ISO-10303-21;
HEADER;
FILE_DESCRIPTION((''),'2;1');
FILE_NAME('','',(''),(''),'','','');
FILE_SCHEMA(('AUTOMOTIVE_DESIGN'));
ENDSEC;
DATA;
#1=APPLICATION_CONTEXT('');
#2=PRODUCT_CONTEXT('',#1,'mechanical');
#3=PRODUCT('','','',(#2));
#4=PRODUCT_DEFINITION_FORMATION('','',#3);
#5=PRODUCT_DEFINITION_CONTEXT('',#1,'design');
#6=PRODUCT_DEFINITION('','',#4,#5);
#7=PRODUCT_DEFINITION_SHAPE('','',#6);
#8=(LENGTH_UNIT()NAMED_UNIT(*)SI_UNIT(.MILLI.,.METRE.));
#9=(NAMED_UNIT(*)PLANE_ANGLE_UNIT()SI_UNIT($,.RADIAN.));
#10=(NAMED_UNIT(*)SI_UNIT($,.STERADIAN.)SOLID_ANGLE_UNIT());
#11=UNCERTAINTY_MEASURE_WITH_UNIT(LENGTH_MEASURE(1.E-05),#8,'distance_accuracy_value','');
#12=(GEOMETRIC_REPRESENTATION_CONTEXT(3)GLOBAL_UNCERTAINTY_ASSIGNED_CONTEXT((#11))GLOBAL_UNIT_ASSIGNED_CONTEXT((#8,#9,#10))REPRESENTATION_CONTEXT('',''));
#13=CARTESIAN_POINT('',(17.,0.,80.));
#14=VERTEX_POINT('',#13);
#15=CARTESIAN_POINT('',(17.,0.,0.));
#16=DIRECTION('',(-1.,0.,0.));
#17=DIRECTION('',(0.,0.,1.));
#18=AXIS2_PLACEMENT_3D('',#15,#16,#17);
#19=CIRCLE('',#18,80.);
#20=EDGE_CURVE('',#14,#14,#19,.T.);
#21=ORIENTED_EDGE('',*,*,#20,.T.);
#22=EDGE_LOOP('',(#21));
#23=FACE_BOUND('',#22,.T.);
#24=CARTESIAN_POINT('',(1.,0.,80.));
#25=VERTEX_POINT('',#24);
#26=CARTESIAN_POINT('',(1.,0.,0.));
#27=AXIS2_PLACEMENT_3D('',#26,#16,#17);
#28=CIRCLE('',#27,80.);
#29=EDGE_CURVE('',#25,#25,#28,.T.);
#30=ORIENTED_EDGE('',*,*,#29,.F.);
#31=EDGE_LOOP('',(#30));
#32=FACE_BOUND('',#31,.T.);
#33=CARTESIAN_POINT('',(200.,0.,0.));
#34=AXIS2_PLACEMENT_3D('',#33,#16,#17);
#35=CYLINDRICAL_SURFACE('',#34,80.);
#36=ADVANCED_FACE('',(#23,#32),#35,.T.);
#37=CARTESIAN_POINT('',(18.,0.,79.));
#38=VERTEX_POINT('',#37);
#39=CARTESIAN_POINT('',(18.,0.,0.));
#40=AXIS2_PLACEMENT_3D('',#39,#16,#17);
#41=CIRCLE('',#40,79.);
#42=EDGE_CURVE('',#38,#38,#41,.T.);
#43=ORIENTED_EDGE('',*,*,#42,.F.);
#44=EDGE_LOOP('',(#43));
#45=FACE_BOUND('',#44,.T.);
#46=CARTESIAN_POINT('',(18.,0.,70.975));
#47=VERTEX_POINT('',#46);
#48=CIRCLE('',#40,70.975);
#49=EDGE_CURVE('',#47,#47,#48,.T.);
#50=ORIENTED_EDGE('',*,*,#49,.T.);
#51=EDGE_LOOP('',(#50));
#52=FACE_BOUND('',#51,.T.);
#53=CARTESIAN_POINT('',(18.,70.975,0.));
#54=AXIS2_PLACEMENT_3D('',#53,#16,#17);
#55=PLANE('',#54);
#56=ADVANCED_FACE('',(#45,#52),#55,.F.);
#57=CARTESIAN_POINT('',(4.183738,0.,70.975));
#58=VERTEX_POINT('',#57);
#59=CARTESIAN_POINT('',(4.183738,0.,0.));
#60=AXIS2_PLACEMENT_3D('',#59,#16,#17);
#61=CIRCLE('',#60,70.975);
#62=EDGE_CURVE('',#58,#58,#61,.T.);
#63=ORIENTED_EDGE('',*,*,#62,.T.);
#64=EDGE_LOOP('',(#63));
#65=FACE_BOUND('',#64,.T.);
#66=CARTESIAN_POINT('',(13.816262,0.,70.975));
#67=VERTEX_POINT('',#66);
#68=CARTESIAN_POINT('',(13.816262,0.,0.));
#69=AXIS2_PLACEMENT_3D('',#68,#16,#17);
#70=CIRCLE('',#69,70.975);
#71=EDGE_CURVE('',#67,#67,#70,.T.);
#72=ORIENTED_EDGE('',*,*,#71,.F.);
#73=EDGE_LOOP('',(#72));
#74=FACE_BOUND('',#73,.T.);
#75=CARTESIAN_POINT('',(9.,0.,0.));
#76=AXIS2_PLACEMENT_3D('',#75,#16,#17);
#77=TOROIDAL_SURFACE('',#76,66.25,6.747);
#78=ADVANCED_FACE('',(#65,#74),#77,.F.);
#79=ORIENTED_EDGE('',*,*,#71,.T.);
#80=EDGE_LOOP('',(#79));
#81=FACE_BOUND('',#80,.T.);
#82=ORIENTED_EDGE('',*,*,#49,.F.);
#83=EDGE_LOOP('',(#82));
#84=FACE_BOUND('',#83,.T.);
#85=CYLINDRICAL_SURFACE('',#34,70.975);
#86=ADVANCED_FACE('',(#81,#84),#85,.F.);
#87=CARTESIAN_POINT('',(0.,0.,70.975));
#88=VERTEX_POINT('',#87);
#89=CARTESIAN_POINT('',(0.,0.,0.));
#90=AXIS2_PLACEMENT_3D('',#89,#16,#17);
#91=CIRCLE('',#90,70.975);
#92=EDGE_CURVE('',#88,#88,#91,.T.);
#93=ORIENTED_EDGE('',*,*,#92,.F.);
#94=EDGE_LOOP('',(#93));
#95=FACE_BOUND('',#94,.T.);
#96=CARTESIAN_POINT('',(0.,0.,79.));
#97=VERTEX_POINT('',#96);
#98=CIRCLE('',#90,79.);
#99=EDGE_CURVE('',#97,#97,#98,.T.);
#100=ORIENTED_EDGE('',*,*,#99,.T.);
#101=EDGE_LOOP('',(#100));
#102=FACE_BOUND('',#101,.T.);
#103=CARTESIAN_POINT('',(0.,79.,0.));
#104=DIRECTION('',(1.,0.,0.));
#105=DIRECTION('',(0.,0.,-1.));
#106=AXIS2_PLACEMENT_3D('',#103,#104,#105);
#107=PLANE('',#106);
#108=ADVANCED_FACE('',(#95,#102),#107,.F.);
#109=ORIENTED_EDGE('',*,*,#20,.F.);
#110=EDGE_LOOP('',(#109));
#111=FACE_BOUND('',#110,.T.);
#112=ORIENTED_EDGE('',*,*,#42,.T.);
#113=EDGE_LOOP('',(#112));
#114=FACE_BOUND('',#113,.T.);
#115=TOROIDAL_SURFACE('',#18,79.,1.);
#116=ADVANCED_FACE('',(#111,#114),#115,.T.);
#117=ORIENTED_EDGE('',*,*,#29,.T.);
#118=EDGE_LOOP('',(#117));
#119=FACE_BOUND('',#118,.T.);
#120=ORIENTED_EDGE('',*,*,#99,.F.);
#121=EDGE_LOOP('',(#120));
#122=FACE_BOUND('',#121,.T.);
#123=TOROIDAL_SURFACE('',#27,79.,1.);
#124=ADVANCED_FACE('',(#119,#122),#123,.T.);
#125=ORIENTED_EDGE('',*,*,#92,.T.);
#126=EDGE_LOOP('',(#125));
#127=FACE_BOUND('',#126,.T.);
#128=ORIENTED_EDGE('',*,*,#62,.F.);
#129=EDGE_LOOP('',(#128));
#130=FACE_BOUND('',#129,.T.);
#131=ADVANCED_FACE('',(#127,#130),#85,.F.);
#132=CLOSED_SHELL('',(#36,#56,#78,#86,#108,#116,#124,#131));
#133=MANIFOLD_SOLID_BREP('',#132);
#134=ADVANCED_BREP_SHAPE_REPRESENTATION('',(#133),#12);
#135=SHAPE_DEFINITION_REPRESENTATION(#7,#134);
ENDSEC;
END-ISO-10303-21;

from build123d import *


with BuildPart() as part:
    # Schizzo1 → Rivoluzione1 (revolve)
    with BuildSketch(Plane.XY, mode=Mode.PRIVATE) as rivoluzione1_sk:
        with BuildLine():
            Line((0, 79), (0, 70.975))
            Line((0, 70.975), (4.183737549, 70.975))
            ThreePointArc((4.183737549, 70.975), (9, 72.997), (13.816262451, 70.975))
            Line((13.816262451, 70.975), (18, 70.975))
            Line((18, 70.975), (18, 79))
            ThreePointArc((18, 79), (17.707106781, 79.707106781), (17, 80))
            Line((17, 80), (1, 80))
            ThreePointArc((1, 80), (0.292893219, 79.707106781), (0, 79))
        make_face()
    revolve(rivoluzione1_sk.sketch.rotate(Axis((200, 0, 0), (-1, 0, 0)), 270), axis=Axis((200, 0, 0), (-1, 0, 0)))


solid = part.part
